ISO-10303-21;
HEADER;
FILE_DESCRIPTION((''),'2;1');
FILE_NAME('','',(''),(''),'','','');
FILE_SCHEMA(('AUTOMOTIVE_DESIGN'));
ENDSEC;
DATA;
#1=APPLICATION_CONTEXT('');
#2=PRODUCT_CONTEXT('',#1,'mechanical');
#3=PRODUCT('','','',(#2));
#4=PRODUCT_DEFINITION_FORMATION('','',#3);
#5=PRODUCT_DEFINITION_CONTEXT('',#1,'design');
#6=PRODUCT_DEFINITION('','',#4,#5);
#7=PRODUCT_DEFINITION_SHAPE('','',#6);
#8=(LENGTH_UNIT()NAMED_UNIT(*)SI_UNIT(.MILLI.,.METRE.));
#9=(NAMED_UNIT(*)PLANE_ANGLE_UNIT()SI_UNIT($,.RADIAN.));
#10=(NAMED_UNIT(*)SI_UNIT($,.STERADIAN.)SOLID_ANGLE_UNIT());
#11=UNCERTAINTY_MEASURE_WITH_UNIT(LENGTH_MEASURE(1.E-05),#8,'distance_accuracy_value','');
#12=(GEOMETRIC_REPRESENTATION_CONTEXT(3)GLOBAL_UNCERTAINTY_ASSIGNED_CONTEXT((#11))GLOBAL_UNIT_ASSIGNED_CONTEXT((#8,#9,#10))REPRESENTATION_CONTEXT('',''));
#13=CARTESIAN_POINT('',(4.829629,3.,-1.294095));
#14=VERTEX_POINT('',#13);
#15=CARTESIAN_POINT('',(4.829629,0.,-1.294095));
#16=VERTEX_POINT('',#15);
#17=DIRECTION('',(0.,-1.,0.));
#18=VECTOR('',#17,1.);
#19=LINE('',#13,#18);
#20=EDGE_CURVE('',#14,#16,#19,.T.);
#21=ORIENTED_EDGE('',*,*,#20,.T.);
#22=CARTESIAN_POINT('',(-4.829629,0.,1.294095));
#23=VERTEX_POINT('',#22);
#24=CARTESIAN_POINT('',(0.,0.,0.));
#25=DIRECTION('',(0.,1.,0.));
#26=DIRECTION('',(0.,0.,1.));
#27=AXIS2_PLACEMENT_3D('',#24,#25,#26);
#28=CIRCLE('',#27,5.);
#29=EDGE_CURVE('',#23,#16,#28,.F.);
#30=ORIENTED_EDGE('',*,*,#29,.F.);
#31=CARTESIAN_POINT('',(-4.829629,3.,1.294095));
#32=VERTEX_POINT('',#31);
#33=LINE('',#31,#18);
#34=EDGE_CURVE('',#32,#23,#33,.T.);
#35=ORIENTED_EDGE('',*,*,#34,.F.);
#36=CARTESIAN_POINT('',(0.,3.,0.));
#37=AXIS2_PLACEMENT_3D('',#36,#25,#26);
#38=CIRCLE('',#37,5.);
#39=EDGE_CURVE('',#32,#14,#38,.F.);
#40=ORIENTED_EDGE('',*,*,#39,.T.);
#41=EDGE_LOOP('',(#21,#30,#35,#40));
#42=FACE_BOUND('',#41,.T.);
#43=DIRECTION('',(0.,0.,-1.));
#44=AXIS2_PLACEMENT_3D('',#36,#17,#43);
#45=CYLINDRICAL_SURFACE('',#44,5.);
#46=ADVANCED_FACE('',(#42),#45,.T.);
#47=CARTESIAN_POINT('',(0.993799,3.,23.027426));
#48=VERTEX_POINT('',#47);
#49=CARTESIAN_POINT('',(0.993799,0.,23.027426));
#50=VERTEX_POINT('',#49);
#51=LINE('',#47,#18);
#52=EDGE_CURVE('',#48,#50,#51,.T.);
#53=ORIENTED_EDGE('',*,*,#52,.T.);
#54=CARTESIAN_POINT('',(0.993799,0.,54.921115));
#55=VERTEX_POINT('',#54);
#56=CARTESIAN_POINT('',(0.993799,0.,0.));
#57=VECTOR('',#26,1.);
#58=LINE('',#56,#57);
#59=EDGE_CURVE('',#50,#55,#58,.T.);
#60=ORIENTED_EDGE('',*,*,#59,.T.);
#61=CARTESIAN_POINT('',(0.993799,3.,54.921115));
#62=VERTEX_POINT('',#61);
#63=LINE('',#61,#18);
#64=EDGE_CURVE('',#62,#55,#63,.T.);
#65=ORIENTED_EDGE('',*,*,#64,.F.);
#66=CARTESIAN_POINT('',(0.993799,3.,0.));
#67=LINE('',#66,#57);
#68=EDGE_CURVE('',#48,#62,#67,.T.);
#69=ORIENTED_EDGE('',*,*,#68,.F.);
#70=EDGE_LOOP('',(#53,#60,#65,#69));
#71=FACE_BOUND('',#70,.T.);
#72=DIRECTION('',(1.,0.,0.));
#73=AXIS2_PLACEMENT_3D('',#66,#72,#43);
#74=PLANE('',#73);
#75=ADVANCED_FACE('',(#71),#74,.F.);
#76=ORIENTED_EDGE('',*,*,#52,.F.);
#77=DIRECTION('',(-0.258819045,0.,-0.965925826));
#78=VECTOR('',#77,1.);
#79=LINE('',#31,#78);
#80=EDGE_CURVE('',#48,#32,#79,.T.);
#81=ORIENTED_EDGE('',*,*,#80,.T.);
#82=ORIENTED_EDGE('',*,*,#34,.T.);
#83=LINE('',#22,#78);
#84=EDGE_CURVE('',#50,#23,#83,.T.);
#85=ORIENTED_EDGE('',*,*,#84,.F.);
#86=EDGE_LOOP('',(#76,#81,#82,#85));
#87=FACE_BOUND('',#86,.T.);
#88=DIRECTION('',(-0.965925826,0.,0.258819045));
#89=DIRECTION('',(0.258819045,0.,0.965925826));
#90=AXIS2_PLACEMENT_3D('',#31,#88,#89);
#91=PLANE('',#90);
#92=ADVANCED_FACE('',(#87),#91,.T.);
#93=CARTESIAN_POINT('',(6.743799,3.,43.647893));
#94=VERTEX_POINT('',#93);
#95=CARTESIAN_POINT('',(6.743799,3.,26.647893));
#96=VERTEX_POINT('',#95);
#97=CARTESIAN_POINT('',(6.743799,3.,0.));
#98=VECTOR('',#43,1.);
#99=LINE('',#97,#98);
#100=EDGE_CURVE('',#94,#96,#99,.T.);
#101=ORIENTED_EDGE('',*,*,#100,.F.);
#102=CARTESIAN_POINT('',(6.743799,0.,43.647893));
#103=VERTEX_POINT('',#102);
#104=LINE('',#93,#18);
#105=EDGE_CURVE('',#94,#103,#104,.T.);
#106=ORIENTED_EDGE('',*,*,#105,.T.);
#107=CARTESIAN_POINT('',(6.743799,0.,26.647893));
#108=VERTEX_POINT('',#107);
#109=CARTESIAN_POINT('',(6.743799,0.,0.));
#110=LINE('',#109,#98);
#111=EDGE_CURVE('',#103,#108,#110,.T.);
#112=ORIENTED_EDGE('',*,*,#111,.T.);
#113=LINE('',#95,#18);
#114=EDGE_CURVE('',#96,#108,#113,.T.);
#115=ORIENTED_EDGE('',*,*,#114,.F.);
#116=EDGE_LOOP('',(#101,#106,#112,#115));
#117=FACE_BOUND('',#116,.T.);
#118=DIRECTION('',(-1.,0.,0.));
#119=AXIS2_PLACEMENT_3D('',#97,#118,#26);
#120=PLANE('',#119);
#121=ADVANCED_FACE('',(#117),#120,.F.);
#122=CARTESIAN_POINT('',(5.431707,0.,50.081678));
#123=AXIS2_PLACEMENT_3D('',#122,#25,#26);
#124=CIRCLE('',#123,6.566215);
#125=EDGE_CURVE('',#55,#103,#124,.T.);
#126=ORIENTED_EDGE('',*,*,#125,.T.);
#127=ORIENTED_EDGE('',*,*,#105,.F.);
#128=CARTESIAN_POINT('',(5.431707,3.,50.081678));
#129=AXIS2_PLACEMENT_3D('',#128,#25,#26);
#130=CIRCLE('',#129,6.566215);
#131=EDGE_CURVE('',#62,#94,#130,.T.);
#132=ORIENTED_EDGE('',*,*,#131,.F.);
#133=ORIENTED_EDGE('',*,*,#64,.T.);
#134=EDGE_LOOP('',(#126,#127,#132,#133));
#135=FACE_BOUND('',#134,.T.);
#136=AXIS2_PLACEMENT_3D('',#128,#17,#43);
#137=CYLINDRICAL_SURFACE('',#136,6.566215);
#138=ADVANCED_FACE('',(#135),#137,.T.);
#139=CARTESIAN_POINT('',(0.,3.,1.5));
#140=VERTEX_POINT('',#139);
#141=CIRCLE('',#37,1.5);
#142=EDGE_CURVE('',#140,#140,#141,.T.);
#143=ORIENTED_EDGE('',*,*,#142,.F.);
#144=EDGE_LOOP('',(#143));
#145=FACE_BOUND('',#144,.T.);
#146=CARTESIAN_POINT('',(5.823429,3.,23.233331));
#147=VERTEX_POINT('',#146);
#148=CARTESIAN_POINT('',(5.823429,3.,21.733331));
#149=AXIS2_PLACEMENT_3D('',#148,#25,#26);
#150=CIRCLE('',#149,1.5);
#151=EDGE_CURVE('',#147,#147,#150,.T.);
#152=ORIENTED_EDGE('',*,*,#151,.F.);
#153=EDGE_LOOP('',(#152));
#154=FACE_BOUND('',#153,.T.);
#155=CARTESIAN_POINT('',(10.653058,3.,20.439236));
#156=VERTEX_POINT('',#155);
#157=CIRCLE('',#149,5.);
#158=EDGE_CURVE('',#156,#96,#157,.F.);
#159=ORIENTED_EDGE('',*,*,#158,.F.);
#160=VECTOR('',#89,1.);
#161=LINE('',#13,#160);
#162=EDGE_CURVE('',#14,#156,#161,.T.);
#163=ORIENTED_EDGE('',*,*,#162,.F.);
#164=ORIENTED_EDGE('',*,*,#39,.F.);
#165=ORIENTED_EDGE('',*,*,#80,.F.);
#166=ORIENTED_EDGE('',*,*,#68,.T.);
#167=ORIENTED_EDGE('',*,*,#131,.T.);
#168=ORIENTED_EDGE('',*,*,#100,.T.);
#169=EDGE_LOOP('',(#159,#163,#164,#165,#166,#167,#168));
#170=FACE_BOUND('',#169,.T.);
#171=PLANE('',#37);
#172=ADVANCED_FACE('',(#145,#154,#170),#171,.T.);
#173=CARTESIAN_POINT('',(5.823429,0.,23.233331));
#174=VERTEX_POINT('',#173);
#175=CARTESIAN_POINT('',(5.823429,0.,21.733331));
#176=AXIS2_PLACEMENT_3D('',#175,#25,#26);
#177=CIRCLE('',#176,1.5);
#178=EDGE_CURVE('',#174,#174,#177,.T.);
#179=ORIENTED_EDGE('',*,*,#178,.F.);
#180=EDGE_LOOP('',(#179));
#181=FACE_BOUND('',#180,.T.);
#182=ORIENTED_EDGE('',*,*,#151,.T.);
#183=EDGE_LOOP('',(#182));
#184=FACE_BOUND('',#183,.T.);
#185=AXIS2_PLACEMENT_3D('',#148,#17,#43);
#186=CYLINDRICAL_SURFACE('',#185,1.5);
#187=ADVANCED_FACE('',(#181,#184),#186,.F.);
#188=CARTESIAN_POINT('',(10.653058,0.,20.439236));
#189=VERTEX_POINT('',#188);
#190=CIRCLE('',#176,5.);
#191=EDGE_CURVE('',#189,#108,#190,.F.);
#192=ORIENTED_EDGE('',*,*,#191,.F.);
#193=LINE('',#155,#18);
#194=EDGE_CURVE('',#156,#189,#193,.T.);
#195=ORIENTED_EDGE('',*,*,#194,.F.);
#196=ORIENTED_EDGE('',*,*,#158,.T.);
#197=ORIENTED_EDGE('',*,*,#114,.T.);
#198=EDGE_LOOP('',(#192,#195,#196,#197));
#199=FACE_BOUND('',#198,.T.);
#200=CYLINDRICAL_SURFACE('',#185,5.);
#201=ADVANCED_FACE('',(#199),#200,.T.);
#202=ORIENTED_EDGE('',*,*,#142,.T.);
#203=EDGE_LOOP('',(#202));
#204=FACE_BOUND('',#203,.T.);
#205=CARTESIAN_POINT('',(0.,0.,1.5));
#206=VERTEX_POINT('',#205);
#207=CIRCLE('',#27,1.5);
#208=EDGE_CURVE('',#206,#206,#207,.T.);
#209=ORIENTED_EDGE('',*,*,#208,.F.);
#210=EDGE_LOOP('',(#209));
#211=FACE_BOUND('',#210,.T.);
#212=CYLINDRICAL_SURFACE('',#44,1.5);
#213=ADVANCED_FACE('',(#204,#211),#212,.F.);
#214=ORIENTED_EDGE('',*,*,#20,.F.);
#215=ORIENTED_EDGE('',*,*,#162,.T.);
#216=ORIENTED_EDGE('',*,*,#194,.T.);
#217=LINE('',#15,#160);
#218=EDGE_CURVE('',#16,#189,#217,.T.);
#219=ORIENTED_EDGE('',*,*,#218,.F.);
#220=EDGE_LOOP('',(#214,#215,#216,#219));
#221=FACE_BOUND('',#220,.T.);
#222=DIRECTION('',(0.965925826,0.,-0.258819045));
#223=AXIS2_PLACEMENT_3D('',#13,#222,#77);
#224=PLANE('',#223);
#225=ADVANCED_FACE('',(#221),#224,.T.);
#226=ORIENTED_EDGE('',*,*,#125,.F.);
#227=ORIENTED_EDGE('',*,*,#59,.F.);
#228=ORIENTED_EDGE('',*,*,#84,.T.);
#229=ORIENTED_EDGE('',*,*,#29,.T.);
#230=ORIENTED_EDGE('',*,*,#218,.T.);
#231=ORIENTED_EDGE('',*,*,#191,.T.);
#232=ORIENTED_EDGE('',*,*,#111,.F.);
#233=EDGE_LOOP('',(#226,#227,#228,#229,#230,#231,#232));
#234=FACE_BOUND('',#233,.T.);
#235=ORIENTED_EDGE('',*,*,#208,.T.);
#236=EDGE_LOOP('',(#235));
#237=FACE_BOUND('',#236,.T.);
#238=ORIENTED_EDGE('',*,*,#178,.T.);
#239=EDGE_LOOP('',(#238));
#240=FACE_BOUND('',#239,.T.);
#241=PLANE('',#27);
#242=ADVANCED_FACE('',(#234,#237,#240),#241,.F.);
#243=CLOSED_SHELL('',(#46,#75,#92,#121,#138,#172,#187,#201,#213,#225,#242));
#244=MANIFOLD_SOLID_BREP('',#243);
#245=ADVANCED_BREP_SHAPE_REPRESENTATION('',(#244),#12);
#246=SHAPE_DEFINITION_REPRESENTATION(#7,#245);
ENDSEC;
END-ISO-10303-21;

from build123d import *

# Parameters (mm, degrees)
SKETCH1_R           = 1.5
BOSS_EXTRUDE1_DEPTH = 3


with BuildPart() as part:
    # Sketch1 → Boss-Extrude1 (new body)
    with BuildSketch(Plane(origin=(0, 0, 0), x_dir=(1, 0, 0), z_dir=(0, 1, 0))):
        with BuildLine():
            ThreePointArc((10.653057646, -20.439235866), (10.054560804, -24.397448123), (6.743799383, -26.647892869))
            Line((6.743799383, -26.647892869), (6.743799383, -43.647892869))
            ThreePointArc((6.743799383, -43.647892869), (11.280986361, -53.065151094), (0.993799383, -54.921115062))
            Line((0.993799383, -54.921115062), (0.993799383, -43.647892869))
            Line((0.993799383, -43.647892869), (0.993799383, -23.027426317))
            Line((0.993799383, -23.027426317), (-4.829629131, -1.294095226))
            ThreePointArc((-4.829629131, -1.294095226), (-1.294095226, 4.829629131), (4.829629131, 1.294095226))
            Line((4.829629131, 1.294095226), (10.653057646, -20.439235866))
        make_face()
        with Locations(Location((5.823428515, -21.733331092, 0), (0, 0, 270))):
            Circle(SKETCH1_R, mode=Mode.SUBTRACT)
        with Locations(Location((0, 0, 0), (0, 0, 270))):
            Circle(SKETCH1_R, mode=Mode.SUBTRACT)
    extrude(amount=BOSS_EXTRUDE1_DEPTH)


solid = part.part
